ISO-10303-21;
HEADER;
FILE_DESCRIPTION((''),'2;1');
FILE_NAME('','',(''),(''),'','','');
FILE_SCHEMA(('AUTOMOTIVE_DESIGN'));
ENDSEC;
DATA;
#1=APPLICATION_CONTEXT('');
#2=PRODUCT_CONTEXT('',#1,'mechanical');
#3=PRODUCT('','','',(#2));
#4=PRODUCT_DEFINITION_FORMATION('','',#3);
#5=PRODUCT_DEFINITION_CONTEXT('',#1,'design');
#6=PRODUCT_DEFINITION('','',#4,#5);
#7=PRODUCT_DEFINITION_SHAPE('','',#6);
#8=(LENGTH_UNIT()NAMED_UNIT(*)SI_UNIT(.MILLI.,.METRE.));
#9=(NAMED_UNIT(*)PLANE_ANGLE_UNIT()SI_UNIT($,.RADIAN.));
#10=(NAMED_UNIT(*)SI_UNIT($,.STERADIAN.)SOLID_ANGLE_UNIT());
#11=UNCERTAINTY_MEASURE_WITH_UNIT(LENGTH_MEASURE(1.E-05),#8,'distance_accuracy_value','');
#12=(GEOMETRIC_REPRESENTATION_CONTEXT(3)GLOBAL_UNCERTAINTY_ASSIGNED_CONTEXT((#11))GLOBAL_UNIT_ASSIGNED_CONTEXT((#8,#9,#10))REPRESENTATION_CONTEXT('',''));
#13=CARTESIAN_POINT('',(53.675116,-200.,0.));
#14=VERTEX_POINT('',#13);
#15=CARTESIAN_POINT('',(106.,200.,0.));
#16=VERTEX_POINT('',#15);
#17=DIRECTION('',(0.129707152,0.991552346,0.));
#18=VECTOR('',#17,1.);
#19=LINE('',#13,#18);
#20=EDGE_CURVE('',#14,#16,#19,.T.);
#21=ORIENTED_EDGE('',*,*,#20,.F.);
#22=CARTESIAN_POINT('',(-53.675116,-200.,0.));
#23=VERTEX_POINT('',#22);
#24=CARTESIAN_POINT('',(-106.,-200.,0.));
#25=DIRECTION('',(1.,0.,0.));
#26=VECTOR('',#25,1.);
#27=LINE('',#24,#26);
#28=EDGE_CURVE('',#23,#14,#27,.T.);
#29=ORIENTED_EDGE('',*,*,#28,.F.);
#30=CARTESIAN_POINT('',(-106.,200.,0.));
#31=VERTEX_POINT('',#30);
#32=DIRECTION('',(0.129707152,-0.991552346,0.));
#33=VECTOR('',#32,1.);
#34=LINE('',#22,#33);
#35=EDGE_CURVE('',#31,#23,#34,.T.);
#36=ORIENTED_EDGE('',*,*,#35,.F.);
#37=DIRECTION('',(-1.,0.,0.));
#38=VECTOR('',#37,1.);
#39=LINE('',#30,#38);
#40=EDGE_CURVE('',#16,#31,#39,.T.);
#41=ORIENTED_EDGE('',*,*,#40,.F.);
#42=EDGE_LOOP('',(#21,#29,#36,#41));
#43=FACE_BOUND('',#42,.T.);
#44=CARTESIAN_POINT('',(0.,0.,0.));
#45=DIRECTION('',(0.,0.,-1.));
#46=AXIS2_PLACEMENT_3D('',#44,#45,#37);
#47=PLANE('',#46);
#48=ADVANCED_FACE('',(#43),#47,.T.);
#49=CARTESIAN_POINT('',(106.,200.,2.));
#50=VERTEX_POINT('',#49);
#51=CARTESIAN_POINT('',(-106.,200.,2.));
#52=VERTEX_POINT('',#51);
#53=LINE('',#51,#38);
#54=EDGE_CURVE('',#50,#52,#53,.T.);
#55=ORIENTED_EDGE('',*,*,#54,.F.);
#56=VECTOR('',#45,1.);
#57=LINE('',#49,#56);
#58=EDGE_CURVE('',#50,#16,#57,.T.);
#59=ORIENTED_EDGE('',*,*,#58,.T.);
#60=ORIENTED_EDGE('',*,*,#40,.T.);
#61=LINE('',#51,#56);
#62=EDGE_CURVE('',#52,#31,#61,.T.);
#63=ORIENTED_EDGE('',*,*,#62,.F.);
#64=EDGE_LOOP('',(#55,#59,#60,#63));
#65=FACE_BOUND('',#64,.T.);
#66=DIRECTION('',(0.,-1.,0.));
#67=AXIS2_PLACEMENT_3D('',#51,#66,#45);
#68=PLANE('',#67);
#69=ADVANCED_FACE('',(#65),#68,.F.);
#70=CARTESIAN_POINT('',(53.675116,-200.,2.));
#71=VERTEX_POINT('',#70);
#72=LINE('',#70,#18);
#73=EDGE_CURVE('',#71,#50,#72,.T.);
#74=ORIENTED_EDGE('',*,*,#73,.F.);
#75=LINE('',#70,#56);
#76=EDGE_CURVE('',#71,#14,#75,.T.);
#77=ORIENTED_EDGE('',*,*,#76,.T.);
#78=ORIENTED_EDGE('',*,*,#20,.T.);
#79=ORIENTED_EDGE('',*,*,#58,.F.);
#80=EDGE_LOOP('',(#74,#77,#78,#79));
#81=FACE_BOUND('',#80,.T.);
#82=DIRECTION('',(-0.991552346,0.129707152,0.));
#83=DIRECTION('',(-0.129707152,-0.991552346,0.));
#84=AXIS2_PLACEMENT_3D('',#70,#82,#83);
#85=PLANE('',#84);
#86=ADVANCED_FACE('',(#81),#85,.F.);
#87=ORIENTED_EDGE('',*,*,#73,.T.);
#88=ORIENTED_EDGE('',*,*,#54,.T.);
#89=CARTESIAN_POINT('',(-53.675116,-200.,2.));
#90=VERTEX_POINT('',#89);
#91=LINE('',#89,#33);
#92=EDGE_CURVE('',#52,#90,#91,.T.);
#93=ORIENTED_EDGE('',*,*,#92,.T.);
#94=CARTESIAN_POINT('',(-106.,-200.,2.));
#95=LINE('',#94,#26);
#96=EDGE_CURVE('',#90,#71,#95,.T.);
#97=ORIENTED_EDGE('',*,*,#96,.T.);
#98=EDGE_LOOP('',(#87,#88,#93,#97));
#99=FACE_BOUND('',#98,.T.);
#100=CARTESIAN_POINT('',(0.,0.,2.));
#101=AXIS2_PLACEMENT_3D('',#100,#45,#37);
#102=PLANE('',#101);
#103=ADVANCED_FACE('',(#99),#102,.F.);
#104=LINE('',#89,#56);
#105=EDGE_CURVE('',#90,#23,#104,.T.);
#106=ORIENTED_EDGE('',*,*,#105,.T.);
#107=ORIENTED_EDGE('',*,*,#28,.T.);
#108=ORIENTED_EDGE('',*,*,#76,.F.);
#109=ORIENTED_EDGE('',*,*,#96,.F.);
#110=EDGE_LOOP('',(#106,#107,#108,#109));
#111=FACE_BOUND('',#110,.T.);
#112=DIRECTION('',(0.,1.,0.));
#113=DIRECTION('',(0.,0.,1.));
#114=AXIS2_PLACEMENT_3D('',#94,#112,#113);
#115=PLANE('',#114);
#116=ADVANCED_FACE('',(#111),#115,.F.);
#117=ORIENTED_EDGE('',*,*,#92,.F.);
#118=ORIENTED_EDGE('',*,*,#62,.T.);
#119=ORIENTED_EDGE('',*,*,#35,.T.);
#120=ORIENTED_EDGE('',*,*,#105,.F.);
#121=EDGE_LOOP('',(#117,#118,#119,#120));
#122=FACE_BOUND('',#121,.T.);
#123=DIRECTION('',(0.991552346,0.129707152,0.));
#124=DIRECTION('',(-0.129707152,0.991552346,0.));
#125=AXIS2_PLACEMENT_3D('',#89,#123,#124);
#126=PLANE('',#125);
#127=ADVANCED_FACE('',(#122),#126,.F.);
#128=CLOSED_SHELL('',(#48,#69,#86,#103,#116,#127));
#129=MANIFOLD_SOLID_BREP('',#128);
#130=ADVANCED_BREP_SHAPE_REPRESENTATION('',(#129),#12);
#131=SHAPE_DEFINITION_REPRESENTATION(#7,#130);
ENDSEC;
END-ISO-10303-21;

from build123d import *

# Parameters (mm, degrees)
SKETCH1_W           = 212
SKETCH1_H           = 400
BOSS_EXTRUDE1_DEPTH = 2
CUT_EXTRUDE1_DEPTH  = 227.362541071


with BuildPart() as part:
    # Sketch1 → Boss-Extrude1 (new body)
    with BuildSketch(Plane.XY):
        Rectangle(SKETCH1_W, SKETCH1_H)
    extrude(amount=BOSS_EXTRUDE1_DEPTH)

    # Sketch2 → Cut-Extrude1 (cut, through all)
    with BuildSketch(Plane(origin=(0, 0, 0), x_dir=(-1, 0, 0), z_dir=(0, 0, -1))):
        Polygon((53.675116484, -200), (106, 200), (106, -200), align=None)
        Polygon((-106, -200), (-53.675116484, -200), (-106, 200), align=None)
    extrude(amount=-CUT_EXTRUDE1_DEPTH, mode=Mode.SUBTRACT)


solid = part.part
